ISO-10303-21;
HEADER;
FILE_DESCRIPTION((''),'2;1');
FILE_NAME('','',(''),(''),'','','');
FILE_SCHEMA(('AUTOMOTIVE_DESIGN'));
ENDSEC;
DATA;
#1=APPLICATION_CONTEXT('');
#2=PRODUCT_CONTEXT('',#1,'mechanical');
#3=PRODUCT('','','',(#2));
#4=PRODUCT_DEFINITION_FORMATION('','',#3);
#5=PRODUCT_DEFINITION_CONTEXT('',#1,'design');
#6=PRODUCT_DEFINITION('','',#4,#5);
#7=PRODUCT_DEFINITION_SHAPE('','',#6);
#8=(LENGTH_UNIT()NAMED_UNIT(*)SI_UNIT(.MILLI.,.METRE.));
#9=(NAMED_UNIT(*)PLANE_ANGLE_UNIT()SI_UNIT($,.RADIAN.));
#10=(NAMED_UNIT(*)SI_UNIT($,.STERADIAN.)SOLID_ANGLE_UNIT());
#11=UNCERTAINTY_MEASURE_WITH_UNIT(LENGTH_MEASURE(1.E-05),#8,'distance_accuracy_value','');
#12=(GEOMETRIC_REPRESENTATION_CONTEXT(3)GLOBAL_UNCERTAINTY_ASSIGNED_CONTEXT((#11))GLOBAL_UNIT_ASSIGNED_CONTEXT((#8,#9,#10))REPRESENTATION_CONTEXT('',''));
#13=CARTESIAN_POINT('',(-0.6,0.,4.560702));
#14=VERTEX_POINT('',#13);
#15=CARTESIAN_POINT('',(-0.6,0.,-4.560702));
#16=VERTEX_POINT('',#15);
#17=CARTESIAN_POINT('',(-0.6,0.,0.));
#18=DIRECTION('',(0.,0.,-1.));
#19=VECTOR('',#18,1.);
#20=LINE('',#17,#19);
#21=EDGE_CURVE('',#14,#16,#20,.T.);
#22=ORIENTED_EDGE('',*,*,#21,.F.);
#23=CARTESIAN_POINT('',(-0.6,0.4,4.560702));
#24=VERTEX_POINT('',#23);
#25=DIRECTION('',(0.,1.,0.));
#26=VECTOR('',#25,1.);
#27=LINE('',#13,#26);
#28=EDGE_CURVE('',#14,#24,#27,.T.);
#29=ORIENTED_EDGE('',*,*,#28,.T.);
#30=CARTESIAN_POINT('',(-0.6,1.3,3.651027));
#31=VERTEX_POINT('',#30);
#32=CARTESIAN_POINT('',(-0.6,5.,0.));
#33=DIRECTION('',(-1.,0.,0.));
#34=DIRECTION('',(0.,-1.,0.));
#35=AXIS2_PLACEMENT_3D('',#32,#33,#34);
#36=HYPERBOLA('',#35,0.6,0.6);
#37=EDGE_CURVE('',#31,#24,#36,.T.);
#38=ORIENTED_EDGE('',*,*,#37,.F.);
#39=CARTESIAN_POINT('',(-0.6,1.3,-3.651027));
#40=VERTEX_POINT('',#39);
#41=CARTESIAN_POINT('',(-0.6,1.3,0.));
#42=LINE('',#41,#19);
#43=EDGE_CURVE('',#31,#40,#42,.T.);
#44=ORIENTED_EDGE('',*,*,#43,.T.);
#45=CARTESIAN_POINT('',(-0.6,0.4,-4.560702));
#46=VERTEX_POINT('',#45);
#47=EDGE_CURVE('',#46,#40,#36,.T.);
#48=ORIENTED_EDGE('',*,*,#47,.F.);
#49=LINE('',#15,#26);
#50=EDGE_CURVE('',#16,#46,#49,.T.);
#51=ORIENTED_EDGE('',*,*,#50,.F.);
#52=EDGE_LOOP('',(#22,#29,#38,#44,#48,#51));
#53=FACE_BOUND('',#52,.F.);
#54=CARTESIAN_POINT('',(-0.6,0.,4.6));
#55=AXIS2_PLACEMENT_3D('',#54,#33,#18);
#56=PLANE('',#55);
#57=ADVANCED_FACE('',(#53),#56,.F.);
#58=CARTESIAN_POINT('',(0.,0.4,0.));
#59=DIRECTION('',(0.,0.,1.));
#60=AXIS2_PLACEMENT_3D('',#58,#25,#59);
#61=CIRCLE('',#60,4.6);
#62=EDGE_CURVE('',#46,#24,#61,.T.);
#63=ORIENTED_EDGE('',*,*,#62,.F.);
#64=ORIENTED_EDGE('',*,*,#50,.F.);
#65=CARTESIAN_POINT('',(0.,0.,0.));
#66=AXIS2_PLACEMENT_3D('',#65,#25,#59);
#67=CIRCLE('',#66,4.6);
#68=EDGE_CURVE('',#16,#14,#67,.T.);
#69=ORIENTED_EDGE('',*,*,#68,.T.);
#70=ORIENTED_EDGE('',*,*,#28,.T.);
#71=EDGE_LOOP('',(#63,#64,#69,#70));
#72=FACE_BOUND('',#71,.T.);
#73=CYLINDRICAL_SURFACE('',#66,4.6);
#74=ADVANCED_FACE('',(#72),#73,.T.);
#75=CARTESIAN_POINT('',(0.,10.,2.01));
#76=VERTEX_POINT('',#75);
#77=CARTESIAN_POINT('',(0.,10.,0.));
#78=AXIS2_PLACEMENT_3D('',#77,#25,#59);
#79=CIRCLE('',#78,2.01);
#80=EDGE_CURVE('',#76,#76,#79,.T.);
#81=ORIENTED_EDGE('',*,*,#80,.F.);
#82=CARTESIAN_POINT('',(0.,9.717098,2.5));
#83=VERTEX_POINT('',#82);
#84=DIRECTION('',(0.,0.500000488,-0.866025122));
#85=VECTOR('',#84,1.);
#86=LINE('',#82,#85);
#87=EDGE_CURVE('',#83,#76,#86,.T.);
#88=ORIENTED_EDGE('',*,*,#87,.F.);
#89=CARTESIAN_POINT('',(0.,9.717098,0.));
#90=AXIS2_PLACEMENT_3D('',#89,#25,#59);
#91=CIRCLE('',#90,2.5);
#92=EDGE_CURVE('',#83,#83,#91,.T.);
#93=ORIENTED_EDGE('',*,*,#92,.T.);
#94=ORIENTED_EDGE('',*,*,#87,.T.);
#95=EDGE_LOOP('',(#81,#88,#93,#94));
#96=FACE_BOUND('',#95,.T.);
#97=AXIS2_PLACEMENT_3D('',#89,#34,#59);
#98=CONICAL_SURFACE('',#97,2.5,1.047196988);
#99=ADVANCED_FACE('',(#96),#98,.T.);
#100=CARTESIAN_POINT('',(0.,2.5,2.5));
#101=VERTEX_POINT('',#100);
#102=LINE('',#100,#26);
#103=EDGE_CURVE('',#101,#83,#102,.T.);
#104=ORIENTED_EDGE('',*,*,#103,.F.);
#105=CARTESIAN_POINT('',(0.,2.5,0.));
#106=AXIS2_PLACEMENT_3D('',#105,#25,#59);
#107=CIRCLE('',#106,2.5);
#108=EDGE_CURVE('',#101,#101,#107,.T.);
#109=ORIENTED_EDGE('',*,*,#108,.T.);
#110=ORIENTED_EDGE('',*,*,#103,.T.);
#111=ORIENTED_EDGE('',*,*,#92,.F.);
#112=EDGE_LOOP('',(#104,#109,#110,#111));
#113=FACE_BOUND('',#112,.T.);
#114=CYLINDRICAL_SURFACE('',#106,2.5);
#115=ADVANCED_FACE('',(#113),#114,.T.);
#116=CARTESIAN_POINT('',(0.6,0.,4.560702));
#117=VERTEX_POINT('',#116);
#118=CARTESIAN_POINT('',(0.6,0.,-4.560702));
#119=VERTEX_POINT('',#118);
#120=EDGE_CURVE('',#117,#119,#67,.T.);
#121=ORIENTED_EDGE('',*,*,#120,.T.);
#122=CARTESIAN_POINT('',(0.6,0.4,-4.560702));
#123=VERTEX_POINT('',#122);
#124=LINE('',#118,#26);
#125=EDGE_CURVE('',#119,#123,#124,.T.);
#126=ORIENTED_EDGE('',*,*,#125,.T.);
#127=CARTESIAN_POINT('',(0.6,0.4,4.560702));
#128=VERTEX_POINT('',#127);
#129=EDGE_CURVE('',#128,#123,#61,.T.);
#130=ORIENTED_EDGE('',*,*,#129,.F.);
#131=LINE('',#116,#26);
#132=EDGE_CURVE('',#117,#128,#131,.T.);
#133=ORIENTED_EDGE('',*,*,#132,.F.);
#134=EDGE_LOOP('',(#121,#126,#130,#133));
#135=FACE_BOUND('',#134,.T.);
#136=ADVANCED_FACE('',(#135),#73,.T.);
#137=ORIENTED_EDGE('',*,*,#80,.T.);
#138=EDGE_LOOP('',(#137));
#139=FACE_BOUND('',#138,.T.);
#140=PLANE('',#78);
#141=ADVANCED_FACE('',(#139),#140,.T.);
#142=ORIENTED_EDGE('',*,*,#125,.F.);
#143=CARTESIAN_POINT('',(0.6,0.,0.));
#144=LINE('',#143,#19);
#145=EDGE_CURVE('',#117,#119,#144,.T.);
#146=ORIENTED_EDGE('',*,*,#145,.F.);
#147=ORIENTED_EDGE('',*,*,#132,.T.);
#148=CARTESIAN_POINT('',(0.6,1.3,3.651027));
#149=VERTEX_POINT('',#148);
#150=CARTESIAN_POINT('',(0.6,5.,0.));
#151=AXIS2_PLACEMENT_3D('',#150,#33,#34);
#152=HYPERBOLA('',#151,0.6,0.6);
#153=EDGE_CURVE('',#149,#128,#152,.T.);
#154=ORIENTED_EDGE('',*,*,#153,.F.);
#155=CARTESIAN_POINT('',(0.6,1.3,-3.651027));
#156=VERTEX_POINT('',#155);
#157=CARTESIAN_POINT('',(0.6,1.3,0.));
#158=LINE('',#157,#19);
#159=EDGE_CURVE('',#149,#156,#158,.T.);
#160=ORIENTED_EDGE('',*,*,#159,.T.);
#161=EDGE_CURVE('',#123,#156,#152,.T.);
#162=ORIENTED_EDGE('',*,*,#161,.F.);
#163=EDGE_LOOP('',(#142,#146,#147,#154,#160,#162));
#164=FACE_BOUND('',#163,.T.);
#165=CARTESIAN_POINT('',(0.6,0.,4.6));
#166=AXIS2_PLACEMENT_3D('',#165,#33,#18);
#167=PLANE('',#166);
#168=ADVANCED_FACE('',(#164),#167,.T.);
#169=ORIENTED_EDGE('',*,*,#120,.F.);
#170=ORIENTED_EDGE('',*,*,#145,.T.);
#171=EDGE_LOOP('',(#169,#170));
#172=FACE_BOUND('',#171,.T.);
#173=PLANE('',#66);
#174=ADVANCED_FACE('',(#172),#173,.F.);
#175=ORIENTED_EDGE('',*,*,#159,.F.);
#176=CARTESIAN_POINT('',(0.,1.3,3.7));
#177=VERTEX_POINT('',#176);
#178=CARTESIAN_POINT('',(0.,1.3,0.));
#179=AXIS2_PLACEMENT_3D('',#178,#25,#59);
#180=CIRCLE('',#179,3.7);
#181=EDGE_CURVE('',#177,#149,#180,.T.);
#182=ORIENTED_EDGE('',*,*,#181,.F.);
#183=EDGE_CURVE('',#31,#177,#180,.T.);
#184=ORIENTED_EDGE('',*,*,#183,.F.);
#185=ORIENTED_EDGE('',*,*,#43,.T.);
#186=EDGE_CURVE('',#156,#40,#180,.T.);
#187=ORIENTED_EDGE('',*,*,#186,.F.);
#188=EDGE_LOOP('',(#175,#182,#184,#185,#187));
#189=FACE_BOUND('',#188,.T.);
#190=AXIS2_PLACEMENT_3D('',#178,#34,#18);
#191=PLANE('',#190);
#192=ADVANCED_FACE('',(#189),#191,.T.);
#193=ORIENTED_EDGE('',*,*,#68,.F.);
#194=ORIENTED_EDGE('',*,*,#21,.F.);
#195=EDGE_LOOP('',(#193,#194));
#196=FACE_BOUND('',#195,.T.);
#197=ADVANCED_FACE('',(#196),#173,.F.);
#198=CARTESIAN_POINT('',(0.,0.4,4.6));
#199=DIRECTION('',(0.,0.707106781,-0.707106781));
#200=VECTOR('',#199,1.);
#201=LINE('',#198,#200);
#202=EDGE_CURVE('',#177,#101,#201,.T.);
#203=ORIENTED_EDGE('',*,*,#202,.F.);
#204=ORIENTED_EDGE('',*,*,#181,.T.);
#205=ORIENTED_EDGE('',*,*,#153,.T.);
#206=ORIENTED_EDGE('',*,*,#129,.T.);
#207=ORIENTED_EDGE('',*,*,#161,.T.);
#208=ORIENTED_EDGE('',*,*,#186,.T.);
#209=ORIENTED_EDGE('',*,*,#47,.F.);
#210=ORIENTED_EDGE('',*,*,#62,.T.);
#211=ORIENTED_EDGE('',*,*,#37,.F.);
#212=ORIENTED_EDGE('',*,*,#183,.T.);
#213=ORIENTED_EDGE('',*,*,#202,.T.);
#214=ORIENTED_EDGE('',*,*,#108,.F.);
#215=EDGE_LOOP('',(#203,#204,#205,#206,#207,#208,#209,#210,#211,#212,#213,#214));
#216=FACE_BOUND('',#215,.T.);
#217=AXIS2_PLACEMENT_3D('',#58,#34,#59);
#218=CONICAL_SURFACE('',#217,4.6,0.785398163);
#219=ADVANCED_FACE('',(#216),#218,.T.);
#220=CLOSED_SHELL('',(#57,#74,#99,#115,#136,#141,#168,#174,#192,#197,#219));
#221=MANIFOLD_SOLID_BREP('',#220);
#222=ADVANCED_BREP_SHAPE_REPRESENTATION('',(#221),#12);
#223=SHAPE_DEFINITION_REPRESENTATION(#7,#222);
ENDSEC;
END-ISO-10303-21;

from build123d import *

# Parameters (mm, degrees)
SKETCH001_W  = 9.2
SKETCH001_H  = 1.2
POCKET_DEPTH = 1.3


with BuildPart() as part:
    # Sketch → Revolution (revolve)
    with BuildSketch(Plane.YZ):
        Polygon((0, 0), (0, 4.6), (0.4, 4.6), (2.5, 2.5), (9.717098, 2.5), (10, 2.01), (10, 0), align=None)
    revolve(axis=Axis((0, 0, 0), (0, 1, 0)))

    # Sketch001 → Pocket (cut)
    with BuildSketch(Plane(origin=(0, 0, 0), x_dir=(0, 0, -1), z_dir=(0, -1, 0))):
        Rectangle(SKETCH001_W, SKETCH001_H)
    extrude(amount=-POCKET_DEPTH, mode=Mode.SUBTRACT)


solid = part.part
